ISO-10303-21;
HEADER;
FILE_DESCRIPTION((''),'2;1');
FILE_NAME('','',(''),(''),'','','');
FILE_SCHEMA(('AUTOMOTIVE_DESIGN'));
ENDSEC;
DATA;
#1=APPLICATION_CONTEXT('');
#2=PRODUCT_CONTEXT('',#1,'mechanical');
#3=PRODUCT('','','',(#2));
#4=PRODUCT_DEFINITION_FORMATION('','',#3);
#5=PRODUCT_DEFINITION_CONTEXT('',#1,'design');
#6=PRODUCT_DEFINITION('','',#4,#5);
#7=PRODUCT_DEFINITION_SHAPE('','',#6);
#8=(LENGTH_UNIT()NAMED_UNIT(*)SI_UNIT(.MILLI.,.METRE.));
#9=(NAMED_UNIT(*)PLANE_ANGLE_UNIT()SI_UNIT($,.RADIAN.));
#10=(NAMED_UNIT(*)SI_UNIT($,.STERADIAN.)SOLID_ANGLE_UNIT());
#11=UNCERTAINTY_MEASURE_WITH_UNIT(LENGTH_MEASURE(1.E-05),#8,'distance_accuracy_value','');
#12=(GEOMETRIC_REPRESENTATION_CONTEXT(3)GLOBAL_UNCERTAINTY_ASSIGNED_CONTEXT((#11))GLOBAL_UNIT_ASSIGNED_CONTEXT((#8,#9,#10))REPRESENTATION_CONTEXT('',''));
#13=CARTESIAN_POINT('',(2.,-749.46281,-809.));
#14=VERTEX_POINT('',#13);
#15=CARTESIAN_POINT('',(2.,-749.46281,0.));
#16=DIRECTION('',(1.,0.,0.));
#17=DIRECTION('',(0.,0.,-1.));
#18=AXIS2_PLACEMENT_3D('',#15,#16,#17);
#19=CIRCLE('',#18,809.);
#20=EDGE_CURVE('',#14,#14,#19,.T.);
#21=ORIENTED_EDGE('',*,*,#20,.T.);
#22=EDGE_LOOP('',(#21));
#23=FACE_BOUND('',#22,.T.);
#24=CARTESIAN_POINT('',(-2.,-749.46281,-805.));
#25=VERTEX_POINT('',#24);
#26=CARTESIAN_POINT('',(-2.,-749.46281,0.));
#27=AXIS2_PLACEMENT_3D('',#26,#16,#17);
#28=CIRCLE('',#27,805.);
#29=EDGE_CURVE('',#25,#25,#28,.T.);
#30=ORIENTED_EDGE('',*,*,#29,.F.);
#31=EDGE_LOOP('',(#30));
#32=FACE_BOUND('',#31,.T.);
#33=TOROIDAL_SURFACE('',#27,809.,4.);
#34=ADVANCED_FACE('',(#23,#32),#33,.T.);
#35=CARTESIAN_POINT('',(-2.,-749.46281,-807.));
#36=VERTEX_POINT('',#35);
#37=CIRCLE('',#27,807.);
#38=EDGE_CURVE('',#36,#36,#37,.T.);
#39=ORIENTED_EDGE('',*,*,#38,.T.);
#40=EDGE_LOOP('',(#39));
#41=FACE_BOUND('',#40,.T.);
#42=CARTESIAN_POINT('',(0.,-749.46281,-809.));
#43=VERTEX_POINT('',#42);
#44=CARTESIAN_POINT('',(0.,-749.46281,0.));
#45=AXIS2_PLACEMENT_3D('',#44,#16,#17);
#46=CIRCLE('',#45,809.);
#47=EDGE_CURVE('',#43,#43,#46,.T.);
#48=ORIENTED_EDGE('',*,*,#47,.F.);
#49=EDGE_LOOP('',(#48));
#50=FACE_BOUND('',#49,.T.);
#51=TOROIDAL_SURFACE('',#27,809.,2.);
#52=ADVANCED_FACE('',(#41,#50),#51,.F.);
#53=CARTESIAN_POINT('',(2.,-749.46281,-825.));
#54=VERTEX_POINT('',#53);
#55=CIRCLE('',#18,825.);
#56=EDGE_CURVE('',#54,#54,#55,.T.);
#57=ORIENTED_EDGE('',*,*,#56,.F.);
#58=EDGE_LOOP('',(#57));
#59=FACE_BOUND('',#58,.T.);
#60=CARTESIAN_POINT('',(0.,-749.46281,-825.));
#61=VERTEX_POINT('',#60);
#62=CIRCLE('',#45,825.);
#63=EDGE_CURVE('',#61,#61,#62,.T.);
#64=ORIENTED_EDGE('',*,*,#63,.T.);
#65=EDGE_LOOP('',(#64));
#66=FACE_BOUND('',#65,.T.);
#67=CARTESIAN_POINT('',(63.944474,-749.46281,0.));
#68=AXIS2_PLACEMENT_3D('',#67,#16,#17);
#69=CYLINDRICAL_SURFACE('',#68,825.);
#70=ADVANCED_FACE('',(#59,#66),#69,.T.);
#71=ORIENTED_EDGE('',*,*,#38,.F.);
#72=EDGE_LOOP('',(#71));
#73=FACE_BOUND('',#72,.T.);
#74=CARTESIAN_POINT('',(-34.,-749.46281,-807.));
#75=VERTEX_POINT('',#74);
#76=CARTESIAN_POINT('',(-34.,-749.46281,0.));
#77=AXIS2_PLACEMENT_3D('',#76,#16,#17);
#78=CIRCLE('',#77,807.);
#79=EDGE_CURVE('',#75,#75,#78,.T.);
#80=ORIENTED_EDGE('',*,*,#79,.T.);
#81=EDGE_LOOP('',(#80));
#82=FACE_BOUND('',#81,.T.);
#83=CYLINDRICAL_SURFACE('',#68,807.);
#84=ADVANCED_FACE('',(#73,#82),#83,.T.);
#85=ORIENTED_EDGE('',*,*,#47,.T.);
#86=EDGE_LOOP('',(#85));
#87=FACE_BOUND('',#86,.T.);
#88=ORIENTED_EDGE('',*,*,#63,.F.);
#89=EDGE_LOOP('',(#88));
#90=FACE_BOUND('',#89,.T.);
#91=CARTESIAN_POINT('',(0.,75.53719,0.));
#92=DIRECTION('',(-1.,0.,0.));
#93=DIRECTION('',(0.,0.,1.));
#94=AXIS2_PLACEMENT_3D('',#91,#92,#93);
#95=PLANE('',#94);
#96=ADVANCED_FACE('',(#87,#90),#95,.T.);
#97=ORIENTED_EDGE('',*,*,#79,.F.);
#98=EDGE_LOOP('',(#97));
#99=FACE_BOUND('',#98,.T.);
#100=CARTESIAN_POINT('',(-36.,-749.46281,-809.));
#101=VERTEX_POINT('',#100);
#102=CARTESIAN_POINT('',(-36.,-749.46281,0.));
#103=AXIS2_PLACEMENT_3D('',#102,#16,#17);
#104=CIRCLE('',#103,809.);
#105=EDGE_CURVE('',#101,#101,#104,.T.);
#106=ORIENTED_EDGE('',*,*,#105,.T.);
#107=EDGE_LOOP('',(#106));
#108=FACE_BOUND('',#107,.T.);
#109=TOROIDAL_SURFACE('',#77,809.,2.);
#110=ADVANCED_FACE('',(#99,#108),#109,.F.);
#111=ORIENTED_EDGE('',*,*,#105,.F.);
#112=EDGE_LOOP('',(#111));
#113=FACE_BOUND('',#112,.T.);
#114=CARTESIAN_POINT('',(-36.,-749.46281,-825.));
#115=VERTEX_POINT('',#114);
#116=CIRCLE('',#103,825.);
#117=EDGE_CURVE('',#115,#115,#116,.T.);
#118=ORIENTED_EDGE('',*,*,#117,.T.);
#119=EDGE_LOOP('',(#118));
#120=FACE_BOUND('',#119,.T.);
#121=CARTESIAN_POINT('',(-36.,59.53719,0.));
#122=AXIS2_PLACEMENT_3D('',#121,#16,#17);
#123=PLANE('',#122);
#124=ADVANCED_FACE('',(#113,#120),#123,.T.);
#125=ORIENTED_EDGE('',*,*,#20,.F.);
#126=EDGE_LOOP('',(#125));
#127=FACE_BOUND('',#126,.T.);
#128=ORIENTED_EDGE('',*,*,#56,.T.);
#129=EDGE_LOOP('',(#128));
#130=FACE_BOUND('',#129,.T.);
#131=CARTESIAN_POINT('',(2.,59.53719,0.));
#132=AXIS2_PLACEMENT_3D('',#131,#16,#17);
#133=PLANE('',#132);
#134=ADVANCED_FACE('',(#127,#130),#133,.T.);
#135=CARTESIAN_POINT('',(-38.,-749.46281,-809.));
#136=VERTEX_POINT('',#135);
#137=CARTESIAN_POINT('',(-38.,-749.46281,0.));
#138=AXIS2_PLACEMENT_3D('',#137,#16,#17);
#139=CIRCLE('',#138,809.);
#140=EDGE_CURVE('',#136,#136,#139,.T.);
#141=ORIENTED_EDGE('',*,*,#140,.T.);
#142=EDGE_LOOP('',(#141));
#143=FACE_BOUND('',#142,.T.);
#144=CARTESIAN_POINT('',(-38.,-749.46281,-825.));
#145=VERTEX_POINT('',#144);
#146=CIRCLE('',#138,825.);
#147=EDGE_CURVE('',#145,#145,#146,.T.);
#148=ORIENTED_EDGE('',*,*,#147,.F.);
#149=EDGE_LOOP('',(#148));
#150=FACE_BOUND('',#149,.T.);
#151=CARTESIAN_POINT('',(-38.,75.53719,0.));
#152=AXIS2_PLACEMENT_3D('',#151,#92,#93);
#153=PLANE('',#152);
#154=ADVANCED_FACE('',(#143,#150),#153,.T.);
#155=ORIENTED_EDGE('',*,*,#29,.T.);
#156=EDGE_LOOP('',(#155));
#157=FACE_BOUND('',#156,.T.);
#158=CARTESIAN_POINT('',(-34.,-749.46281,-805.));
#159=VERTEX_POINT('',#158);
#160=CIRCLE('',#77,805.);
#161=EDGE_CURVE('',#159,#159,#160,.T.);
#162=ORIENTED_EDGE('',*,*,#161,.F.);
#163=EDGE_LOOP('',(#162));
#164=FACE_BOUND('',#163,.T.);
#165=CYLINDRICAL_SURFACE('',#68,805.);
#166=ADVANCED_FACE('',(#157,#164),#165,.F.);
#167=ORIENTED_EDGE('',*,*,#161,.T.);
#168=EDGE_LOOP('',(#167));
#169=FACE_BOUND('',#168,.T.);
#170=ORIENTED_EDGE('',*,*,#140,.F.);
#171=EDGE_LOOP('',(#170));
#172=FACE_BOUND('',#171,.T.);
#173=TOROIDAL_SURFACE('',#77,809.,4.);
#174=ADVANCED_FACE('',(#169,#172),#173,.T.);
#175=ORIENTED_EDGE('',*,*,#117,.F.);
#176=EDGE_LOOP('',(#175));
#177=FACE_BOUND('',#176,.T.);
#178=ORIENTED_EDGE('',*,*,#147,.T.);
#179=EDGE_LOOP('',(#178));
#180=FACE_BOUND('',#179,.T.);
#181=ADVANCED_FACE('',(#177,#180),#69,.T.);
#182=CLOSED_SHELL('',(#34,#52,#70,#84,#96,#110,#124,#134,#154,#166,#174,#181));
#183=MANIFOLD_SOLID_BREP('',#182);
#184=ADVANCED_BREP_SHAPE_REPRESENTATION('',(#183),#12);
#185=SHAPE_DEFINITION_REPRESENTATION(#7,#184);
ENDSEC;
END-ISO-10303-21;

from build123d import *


with BuildPart() as part:
    # Sketch1 → Revolve1 (revolve)
    with BuildSketch(Plane.XY, mode=Mode.PRIVATE) as revolve1_sk:
        with BuildLine():
            Line((-38, 75.537190083), (-38, 59.537190083))
            ThreePointArc((-38, 59.537190083), (-36.828427125, 56.708762958), (-34, 55.537190083))
            Line((-34, 55.537190083), (-2, 55.537190083))
            ThreePointArc((-2, 55.537190083), (0.828427125, 56.708762958), (2, 59.537190083))
            Line((2, 59.537190083), (2, 75.537190083))
            Line((2, 75.537190083), (0, 75.537190083))
            Line((0, 75.537190083), (0, 59.537190083))
            ThreePointArc((0, 59.537190083), (-0.585786438, 58.12297652), (-2, 57.537190083))
            Line((-2, 57.537190083), (-34, 57.537190083))
            ThreePointArc((-34, 57.537190083), (-35.414213562, 58.12297652), (-36, 59.537190083))
            Line((-36, 59.537190083), (-36, 75.537190083))
            Line((-36, 75.537190083), (-38, 75.537190083))
        make_face()
    revolve(revolve1_sk.sketch.rotate(Axis((63.944474241, -749.462809917, 0), (-1, 0, 0)), 90), axis=Axis((63.944474241, -749.462809917, 0), (-1, 0, 0)))


solid = part.part
